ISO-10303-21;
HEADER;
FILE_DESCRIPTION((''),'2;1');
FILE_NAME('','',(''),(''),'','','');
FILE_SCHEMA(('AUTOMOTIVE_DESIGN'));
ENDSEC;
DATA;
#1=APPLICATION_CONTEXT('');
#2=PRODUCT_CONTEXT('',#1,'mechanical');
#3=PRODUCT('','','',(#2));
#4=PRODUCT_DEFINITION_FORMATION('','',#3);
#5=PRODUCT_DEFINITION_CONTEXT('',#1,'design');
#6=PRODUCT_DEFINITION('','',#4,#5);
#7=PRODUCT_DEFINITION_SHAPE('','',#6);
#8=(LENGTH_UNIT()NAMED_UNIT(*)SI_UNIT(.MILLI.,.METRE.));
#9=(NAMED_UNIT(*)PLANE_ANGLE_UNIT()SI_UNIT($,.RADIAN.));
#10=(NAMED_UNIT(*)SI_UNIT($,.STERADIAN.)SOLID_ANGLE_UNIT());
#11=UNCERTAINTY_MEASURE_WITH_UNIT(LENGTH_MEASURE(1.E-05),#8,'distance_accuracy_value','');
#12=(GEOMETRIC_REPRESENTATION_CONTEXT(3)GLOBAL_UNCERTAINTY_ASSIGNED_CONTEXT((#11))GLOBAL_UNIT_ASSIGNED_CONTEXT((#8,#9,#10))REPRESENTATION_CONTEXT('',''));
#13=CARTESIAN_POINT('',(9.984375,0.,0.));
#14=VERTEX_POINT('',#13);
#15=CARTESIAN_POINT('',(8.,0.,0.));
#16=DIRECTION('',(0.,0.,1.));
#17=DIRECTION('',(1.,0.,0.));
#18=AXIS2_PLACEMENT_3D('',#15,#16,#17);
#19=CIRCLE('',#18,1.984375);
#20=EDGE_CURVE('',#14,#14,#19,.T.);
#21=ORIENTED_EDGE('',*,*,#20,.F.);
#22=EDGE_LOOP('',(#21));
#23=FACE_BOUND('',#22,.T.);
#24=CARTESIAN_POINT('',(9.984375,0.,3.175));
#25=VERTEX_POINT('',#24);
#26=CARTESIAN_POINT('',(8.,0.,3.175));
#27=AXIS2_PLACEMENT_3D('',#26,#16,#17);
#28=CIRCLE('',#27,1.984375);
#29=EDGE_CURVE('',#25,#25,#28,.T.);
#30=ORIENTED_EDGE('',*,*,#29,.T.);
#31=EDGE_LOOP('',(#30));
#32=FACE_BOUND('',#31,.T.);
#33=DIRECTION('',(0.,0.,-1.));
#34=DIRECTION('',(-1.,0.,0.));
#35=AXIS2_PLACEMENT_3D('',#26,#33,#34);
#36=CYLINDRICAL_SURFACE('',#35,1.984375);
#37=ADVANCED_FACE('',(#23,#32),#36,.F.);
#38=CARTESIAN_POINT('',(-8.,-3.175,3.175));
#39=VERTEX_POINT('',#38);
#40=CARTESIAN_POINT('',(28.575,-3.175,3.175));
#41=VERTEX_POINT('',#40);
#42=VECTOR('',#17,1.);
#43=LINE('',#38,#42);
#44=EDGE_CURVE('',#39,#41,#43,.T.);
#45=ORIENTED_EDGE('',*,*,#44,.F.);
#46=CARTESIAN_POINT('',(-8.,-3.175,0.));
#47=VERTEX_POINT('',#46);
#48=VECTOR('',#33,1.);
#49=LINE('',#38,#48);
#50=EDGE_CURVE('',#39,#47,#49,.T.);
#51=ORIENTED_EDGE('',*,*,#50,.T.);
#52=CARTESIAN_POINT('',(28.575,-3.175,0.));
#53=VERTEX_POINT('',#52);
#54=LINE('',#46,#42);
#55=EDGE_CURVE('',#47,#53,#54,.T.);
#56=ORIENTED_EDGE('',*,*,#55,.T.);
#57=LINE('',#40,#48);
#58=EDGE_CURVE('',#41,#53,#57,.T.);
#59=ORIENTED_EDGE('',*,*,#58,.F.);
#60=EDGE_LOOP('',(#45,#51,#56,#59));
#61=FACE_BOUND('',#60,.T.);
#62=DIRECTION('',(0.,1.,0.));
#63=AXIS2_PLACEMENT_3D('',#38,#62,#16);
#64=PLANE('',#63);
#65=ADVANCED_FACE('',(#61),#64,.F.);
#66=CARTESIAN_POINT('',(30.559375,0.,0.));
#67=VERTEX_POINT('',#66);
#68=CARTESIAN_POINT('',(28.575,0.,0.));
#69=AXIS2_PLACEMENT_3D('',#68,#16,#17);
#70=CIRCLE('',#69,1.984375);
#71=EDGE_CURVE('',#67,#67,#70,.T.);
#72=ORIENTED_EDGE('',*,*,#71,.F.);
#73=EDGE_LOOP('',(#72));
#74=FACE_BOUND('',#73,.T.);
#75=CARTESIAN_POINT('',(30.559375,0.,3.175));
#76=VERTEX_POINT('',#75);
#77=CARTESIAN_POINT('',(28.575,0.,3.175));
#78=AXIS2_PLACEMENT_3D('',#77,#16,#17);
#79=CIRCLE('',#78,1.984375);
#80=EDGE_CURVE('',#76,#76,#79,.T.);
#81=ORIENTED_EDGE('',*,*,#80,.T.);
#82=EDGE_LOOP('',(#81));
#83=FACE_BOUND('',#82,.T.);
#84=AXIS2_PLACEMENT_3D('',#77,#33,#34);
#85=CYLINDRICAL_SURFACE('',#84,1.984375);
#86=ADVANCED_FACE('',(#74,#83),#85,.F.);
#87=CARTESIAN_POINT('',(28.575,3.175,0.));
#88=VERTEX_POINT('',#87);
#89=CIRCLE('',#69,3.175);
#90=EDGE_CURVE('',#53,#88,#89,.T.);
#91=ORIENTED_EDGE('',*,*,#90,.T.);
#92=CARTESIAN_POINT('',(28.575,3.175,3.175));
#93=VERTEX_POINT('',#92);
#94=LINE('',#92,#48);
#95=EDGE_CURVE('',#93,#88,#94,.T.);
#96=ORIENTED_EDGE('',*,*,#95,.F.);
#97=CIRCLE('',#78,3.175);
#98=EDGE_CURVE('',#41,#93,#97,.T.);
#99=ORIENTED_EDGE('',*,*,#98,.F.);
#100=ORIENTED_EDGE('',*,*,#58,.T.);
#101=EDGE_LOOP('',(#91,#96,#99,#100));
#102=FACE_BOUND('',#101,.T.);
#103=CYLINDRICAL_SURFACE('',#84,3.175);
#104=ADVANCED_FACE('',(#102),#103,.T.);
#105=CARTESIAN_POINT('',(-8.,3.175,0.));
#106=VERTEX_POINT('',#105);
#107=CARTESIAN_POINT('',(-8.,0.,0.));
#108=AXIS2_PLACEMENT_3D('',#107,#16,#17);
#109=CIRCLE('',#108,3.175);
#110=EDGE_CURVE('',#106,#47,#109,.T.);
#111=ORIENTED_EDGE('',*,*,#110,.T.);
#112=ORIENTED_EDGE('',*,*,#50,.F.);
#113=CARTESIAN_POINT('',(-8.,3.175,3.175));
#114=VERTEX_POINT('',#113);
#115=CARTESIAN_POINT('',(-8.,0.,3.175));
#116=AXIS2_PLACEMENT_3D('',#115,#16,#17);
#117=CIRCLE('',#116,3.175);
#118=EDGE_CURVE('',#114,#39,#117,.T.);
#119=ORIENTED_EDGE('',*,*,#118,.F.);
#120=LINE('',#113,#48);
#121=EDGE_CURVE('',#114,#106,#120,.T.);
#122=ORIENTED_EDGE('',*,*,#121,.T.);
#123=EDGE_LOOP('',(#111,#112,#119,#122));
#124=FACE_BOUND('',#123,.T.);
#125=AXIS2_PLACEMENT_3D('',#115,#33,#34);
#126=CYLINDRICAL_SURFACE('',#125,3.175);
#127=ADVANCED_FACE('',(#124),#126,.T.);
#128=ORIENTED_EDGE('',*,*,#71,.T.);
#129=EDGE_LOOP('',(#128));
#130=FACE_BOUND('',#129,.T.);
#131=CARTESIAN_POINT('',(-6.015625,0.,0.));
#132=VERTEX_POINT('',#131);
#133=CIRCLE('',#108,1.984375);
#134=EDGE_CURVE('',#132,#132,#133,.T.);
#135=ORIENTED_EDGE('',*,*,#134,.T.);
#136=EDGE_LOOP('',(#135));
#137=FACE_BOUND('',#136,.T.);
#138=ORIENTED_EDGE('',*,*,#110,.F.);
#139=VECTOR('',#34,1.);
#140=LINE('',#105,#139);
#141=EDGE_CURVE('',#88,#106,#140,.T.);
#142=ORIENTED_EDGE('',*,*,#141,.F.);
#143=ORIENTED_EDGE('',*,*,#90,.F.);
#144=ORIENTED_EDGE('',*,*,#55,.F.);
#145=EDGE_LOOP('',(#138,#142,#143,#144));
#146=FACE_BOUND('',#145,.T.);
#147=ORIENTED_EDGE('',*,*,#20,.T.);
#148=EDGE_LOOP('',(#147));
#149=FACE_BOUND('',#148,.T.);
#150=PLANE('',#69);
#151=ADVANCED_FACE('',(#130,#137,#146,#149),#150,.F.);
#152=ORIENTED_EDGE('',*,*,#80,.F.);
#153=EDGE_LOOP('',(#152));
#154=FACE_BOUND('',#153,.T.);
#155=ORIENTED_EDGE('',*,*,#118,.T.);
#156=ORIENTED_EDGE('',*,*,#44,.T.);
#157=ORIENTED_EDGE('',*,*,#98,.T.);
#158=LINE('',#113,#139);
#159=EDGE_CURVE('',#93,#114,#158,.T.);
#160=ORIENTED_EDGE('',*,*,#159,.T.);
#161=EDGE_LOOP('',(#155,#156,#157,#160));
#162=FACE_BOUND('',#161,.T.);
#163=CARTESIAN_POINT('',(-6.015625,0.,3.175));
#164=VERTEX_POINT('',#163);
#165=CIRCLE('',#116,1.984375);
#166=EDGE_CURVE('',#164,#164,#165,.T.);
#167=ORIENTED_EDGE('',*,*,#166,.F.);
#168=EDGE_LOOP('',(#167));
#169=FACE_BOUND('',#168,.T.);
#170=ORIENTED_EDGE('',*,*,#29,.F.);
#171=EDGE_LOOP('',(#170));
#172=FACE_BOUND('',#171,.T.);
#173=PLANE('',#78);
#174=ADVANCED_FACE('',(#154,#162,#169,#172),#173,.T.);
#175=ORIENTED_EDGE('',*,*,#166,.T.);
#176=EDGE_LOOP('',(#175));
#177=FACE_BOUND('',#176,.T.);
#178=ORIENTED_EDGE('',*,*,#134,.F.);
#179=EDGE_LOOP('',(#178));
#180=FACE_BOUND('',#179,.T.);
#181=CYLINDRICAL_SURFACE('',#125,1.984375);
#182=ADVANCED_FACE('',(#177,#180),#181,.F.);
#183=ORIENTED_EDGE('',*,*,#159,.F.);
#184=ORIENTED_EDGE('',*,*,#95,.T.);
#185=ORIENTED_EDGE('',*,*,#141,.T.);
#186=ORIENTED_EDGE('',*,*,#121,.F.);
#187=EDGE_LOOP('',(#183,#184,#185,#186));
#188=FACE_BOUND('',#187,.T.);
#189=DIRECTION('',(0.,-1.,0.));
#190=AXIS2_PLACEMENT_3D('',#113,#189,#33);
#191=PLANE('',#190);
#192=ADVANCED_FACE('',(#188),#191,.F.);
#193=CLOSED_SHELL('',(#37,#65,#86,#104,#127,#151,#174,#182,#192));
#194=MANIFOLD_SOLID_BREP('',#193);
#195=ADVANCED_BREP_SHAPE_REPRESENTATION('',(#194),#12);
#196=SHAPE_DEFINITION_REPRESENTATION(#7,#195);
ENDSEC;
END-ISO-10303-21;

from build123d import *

# Parameters (mm, degrees)
SKETCH1_R           = 1.984375
BOSS_EXTRUDE1_DEPTH = 3.175


with BuildPart() as part:
    # Sketch1 → Boss-Extrude1 (new body)
    with BuildSketch(Plane.XY):
        with BuildLine():
            Line((-8, -3.175), (28.575, -3.175))
            ThreePointArc((28.575, -3.175), (31.75, 0), (28.575, 3.175))
            Line((28.575, 3.175), (-8, 3.175))
            ThreePointArc((-8, 3.175), (-11.175, 0), (-8, -3.175))
        make_face()
        with Locations((8, 0)):
            Circle(SKETCH1_R, mode=Mode.SUBTRACT)
        with Locations((-8, 0)):
            Circle(SKETCH1_R, mode=Mode.SUBTRACT)
        with Locations((28.575, 0)):
            Circle(SKETCH1_R, mode=Mode.SUBTRACT)
    extrude(amount=BOSS_EXTRUDE1_DEPTH)


solid = part.part
